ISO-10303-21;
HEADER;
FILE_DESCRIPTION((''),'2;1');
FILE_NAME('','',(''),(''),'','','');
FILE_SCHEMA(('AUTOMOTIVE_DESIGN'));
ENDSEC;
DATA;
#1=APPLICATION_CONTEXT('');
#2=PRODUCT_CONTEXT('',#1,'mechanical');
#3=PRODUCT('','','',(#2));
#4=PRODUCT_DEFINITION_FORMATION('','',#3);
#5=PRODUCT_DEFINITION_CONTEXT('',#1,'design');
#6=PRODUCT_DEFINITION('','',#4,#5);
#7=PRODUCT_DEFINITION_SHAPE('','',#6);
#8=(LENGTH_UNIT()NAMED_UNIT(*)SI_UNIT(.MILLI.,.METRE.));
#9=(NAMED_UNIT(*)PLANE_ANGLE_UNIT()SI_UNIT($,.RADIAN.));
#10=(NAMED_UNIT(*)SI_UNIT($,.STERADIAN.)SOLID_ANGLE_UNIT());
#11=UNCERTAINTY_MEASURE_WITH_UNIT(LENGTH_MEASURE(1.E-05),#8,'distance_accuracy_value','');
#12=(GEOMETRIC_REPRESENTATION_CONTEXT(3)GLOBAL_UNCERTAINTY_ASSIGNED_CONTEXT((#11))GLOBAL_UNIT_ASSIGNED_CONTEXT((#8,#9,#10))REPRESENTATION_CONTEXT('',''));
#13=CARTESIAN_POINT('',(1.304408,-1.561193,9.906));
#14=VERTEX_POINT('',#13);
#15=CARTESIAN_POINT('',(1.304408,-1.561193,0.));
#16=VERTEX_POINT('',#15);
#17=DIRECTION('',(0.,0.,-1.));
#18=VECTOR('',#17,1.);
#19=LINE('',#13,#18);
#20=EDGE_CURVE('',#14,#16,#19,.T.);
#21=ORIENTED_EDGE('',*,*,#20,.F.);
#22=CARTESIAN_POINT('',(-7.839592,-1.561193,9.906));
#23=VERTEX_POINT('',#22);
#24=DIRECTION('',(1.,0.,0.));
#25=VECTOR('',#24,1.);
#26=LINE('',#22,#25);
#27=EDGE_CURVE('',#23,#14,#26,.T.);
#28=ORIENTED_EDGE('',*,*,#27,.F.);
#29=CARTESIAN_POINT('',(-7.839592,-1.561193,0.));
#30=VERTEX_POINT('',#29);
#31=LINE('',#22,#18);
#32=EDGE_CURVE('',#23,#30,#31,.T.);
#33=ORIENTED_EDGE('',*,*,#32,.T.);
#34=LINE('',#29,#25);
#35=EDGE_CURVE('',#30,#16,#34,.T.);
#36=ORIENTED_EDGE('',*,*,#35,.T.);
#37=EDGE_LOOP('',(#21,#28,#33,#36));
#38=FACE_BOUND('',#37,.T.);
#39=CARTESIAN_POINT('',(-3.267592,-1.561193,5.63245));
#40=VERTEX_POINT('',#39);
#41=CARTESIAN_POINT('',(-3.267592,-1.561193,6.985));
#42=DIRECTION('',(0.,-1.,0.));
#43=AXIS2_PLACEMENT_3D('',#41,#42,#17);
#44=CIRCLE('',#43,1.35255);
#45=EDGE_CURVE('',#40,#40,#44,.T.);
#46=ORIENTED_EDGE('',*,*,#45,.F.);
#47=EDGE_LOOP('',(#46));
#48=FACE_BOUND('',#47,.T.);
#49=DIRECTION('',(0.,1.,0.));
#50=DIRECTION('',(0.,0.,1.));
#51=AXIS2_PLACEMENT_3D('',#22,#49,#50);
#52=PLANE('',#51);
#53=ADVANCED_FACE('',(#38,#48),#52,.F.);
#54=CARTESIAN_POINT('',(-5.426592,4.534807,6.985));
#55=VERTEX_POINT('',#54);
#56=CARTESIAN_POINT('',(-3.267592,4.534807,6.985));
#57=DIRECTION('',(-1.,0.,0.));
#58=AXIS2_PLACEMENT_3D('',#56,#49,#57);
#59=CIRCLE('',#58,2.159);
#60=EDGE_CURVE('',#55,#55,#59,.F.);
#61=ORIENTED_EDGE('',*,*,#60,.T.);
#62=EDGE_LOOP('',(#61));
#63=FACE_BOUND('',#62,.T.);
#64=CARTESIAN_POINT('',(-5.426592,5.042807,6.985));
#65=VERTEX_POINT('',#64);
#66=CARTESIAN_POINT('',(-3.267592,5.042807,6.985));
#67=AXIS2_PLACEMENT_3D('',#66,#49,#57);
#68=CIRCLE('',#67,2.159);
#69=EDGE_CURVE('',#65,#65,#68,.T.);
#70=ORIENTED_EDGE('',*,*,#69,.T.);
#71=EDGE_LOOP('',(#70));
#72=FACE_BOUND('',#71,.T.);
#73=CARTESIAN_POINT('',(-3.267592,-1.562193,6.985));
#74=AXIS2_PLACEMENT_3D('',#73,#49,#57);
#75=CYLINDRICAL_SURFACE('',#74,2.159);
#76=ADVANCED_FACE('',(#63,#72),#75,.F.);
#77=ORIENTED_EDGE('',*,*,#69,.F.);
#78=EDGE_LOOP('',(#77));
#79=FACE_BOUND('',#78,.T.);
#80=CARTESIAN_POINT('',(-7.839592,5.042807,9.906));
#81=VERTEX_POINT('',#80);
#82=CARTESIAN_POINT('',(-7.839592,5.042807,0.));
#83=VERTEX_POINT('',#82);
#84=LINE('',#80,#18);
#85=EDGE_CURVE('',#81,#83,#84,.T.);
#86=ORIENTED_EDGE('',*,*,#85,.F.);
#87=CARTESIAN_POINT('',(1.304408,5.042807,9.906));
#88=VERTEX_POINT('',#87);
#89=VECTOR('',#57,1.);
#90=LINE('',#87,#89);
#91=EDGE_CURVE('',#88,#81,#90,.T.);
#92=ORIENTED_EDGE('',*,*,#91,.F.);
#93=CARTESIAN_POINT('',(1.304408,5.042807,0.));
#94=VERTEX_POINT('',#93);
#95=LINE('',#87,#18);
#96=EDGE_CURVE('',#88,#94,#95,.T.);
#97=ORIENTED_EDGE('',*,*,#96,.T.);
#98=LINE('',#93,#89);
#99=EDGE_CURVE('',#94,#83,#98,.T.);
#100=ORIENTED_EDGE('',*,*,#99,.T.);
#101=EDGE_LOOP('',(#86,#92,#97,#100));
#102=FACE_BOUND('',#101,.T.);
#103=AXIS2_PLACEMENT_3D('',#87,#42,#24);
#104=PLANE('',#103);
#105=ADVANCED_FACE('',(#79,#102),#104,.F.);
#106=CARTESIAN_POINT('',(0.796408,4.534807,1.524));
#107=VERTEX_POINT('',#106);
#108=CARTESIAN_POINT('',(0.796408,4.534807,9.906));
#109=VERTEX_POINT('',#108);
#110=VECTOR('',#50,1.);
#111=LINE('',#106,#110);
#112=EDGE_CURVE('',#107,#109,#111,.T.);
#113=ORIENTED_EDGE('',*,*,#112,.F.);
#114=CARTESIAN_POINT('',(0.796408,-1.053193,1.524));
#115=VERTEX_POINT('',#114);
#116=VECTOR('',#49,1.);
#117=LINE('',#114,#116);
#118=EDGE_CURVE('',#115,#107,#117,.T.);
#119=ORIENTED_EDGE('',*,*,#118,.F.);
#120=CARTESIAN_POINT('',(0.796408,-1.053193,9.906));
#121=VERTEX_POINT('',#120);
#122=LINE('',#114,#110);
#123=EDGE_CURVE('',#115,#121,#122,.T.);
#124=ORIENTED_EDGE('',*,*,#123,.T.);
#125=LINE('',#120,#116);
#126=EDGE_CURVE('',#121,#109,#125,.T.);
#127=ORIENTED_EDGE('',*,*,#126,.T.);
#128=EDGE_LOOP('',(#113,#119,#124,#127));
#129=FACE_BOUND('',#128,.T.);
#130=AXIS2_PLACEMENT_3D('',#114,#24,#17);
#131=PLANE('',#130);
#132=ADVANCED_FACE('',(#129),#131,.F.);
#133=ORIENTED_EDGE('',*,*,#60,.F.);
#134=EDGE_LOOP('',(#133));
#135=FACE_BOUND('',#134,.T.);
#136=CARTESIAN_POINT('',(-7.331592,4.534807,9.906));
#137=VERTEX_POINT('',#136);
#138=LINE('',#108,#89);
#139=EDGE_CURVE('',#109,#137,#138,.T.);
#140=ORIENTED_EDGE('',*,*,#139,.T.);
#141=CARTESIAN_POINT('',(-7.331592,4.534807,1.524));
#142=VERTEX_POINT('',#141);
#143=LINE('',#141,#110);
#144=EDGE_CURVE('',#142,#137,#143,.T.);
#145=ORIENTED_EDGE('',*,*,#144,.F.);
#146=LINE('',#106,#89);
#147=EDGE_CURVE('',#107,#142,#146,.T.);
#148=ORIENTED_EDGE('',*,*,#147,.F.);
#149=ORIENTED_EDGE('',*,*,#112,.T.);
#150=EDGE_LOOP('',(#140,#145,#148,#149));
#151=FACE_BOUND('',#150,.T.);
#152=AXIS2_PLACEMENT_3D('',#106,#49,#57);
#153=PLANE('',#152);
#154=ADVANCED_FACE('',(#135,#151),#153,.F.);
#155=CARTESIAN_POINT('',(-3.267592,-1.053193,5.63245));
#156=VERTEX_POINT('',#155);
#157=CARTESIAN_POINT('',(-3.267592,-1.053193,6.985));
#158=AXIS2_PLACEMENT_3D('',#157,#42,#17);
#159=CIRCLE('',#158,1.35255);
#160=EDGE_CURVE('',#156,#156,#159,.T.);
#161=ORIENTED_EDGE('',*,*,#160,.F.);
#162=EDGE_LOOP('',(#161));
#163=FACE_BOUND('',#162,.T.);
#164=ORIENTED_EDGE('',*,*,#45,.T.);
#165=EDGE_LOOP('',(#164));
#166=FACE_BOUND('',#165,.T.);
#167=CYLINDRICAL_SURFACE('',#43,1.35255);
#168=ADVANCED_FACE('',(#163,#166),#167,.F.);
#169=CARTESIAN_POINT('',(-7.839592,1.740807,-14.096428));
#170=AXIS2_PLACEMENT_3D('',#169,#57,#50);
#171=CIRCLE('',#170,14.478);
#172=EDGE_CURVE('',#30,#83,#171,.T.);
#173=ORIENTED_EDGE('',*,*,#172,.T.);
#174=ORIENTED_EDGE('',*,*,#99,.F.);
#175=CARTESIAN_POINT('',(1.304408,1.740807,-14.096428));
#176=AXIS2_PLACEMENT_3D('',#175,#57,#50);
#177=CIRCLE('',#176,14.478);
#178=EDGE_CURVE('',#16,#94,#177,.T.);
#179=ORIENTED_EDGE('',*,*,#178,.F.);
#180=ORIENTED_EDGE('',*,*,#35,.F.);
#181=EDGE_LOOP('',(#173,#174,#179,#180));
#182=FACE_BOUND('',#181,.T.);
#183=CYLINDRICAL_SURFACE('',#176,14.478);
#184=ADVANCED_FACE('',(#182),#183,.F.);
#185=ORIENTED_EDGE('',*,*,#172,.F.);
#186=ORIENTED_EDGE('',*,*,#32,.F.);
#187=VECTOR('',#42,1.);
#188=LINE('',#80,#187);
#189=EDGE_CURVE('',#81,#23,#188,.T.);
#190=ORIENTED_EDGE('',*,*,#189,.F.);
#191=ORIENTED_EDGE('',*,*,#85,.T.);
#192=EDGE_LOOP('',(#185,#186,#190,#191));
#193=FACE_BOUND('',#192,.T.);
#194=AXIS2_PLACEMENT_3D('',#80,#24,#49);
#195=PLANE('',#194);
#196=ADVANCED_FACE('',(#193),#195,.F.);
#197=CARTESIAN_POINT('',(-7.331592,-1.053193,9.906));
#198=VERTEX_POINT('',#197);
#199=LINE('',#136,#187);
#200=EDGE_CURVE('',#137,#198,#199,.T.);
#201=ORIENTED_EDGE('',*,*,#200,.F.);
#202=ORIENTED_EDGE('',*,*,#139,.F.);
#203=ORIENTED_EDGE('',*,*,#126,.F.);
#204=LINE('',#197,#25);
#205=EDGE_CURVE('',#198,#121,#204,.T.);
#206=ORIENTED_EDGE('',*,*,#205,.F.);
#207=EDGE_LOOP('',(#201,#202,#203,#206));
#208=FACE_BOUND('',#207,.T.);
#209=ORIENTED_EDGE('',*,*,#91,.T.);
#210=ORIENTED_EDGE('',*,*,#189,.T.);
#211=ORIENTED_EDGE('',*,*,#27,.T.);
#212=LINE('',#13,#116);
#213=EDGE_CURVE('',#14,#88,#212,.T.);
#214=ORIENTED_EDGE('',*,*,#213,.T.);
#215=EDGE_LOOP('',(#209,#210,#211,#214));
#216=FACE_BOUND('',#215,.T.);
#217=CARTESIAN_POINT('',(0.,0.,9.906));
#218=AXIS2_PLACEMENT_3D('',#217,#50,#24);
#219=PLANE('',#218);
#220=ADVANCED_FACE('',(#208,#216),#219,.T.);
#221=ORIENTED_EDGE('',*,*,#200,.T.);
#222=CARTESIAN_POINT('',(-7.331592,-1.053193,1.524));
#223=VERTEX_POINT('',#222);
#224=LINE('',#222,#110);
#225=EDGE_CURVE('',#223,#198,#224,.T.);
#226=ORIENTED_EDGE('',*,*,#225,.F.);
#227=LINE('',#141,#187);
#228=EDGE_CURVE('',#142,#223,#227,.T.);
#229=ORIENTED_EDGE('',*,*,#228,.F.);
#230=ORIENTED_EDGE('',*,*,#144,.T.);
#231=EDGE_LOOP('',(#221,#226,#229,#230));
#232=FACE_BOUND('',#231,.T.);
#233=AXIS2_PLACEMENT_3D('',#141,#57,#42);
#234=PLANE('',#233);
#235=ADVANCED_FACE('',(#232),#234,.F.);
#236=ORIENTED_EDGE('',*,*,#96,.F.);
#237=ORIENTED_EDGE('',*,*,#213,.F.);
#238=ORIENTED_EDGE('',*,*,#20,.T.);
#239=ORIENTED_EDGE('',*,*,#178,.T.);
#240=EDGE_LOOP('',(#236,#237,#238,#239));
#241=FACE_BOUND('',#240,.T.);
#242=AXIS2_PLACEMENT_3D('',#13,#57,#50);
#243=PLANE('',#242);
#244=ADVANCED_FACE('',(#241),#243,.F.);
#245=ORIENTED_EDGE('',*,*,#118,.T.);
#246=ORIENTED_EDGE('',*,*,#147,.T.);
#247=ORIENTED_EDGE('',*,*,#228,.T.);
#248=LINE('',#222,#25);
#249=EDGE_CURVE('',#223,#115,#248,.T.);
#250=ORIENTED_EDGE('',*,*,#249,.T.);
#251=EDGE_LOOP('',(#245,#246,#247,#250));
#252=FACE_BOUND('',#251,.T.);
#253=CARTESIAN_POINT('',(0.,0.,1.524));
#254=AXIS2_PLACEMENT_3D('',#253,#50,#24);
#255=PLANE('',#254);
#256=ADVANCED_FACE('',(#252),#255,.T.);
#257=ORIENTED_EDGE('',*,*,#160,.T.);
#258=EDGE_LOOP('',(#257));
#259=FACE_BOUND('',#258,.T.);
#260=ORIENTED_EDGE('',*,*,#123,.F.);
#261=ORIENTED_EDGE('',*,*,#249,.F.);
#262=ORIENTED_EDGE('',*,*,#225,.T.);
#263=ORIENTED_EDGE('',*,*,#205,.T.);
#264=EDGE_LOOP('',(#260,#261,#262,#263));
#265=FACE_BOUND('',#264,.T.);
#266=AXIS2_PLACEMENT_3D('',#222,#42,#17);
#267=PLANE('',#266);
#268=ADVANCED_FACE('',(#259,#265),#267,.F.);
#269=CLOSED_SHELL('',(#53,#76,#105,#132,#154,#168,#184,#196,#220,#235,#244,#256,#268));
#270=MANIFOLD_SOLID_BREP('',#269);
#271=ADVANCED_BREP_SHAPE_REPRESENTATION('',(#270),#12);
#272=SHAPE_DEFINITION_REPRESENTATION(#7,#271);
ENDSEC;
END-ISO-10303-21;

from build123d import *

# Parameters (mm, degrees)
SKETCH1_W                 = 9.144
SKETCH1_H                 = 6.604
BOSS_EXTRUDE1_DEPTH       = 9.906
SKETCH4_W                 = 8.128
SKETCH4_H                 = 5.588
CUT_EXTRUDE1_DEPTH        = 8.382
CUT_EXTRUDE2_DEPTH        = 10.144
CUT_EXTRUDE4_REACH        = 8.604
SKETCH11_R                = 2.159
F_6_32_TAPPED_HOLE4_D     = 2.7051
F_6_32_TAPPED_HOLE4_DEPTH = 0.508


with BuildPart() as part:
    # Sketch1 → Boss-Extrude1 (new body)
    with BuildSketch(Plane.XY):
        with Locations((-3.267592039, 1.740807143)):
            Rectangle(SKETCH1_W, SKETCH1_H)
    extrude(amount=BOSS_EXTRUDE1_DEPTH)

    # Sketch4 → Cut-Extrude1 (cut)
    with BuildSketch(Plane.XY.offset(9.906)):
        with Locations((-3.267592039, 1.740807143)):
            Rectangle(SKETCH4_W, SKETCH4_H)
    extrude(amount=-CUT_EXTRUDE1_DEPTH, mode=Mode.SUBTRACT)

    # Sketch8 → Cut-Extrude2 (cut, through all)
    with BuildSketch(Plane.ZY.offset(7.839592039)):
        with BuildLine():
            Line((0, 5.042807143), (0, -1.561192857))
            ThreePointArc((0, -1.561192857), (0.381572084, 1.740807143), (0, 5.042807143))
        make_face()
    extrude(amount=-CUT_EXTRUDE2_DEPTH, mode=Mode.SUBTRACT)

    # Sketch11 → Cut-Extrude4 (cut, up to next)
    with BuildSketch(Plane(origin=(0, 5.042807143, 0), x_dir=(1, 0, 0), z_dir=(0, 1, 0)), mode=Mode.PRIVATE) as cut_extrude4_sk1:
        with Locations((-3.267592039, -6.985)):
            Circle(SKETCH11_R)
    cut_extrude4_tool1 = extrude(cut_extrude4_sk1.sketch, amount=-CUT_EXTRUDE4_REACH, mode=Mode.PRIVATE) & part.part
    add(cut_extrude4_tool1.solids().sort_by_distance((-3.267592, 5.042807, 6.985))[0], mode=Mode.SUBTRACT)

    # #6-32 Tapped Hole4
    with Locations(Plane(origin=(0, -1.561192857, 0), x_dir=(-1, 0, 0), z_dir=(0, -1, 0))):
        with Locations((3.267592039, -6.985)):
            Hole(F_6_32_TAPPED_HOLE4_D / 2, depth=F_6_32_TAPPED_HOLE4_DEPTH)


solid = part.part
